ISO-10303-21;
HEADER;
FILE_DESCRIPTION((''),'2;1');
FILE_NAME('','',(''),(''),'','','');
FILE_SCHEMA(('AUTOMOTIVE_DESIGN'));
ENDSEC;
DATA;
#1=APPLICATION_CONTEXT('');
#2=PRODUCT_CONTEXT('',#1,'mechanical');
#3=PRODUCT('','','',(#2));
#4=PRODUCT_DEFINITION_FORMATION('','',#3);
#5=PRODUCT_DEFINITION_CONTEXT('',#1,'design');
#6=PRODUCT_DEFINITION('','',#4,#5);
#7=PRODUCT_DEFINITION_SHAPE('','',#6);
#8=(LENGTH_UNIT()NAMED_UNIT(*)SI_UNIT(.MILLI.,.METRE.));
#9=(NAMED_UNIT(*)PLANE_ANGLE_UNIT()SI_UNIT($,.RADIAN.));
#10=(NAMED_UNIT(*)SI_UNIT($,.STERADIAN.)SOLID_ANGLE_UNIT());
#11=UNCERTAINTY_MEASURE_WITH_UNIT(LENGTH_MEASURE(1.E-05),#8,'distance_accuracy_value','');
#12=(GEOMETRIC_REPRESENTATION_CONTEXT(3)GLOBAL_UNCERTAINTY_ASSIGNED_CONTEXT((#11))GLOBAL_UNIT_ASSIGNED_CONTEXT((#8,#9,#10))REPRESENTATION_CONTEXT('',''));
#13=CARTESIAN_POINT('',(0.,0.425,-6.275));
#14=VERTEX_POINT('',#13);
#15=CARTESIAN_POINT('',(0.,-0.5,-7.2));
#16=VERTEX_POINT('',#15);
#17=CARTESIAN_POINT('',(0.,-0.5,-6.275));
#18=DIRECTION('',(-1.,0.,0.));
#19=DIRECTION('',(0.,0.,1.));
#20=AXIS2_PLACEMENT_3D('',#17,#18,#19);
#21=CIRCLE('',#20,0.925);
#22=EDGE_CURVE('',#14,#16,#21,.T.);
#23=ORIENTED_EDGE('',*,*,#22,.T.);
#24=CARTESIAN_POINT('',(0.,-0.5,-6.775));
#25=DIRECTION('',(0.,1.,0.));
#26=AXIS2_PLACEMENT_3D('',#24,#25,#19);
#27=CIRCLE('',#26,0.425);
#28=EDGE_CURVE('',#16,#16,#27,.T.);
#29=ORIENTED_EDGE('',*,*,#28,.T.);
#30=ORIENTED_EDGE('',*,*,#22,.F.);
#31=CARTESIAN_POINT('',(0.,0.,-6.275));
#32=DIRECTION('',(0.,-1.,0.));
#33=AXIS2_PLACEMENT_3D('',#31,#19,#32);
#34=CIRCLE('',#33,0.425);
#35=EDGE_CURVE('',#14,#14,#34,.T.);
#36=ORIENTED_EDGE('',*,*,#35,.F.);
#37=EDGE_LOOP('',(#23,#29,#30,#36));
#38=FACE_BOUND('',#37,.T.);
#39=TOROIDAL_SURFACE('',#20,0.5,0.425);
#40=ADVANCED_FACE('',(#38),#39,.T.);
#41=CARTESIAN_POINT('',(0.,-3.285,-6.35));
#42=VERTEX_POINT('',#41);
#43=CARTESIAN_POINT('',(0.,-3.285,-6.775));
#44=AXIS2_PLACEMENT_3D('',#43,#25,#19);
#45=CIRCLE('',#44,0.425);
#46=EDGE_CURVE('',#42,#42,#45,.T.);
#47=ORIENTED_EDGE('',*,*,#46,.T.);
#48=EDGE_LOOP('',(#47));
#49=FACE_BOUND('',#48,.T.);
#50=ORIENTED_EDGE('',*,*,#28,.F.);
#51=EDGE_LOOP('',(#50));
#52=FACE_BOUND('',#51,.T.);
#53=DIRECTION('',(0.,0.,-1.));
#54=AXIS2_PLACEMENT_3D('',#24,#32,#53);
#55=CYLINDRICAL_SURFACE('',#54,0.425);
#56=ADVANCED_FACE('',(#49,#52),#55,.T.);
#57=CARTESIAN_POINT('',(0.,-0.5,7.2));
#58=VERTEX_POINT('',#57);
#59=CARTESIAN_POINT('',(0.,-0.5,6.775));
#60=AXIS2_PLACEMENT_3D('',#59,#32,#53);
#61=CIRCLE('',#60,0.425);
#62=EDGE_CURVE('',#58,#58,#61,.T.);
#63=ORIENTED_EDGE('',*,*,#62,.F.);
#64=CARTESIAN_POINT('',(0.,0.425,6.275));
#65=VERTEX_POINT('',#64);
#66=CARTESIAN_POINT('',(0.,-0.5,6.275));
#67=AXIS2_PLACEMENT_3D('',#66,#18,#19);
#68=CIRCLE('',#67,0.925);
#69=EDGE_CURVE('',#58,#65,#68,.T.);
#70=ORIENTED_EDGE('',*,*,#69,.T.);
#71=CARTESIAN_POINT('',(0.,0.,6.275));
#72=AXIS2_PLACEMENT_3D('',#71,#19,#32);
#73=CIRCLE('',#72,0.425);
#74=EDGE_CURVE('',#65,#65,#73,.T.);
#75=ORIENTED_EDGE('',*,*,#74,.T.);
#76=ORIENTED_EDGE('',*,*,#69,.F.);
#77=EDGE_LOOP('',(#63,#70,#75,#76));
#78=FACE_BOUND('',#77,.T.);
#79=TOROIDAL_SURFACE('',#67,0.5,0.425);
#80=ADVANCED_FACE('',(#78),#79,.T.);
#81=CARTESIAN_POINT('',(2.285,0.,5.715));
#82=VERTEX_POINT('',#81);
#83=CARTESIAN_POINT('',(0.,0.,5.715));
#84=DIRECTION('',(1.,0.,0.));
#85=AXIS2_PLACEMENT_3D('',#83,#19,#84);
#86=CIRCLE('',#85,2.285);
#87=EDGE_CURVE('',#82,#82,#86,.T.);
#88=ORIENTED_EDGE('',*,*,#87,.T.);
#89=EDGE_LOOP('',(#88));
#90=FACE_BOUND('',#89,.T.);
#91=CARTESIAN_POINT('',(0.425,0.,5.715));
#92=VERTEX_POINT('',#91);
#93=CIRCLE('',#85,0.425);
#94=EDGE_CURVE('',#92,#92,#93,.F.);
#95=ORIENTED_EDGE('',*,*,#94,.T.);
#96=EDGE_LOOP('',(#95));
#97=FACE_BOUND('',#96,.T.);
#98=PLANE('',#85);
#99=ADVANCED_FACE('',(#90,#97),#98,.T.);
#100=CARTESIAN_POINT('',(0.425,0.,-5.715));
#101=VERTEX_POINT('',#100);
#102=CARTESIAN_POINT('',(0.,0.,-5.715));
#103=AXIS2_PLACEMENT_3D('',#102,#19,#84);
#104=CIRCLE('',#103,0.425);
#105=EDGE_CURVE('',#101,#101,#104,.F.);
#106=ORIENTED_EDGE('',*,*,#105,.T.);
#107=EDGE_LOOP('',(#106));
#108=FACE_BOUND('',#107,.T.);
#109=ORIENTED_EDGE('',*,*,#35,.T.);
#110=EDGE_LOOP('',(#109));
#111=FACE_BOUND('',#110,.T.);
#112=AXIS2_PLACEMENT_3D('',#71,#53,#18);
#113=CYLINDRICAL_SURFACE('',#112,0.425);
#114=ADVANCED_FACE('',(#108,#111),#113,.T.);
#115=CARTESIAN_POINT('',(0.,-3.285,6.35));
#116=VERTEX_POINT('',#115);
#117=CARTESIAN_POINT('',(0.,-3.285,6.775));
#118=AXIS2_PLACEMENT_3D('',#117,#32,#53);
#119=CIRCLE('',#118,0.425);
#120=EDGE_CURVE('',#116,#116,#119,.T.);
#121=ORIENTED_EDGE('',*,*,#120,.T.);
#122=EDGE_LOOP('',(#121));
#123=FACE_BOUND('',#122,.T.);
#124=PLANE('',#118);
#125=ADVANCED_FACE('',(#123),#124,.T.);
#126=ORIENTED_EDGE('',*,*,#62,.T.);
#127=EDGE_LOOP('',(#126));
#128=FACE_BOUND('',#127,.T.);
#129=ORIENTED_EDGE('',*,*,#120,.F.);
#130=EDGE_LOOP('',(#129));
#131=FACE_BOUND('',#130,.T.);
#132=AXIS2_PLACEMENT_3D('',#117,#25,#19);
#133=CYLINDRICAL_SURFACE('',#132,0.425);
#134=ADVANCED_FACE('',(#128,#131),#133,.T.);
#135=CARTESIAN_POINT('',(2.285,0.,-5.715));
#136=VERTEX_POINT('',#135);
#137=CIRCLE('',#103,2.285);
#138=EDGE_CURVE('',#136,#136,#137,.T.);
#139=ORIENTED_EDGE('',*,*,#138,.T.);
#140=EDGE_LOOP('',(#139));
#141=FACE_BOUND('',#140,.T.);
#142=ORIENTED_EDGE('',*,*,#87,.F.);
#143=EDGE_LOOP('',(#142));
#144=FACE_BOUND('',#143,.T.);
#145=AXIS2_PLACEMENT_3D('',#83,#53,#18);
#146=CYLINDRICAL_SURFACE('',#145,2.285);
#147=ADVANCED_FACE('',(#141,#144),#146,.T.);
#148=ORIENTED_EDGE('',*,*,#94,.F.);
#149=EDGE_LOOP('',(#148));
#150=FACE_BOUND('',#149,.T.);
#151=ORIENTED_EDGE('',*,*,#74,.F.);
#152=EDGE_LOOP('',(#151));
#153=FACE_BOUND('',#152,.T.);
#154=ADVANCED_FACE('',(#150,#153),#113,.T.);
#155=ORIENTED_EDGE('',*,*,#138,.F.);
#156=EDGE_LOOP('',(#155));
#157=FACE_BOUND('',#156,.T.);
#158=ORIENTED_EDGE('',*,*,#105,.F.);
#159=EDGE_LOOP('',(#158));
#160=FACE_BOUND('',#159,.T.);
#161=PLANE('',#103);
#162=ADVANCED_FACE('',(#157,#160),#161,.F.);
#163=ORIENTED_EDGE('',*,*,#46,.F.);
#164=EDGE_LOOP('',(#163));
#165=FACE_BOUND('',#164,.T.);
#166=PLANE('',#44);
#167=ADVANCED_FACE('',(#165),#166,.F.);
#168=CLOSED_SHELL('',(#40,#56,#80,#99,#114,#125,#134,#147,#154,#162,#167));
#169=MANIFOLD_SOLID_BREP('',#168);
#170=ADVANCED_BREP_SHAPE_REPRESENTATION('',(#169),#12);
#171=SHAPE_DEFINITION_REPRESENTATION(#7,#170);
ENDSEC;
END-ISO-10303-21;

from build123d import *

# Parameters (mm, degrees)
SKETCH1_R           = 2.285
BOSS_EXTRUDE1_DEPTH = 5.715
SWEEP1_PROFILE_R    = 0.425


with BuildPart() as part:
    # Sketch1 → Boss-Extrude1 (new, symmetric)
    with BuildSketch(Plane.XY):
        Circle(SKETCH1_R)
    extrude(amount=BOSS_EXTRUDE1_DEPTH, both=True)

    # Sweep1: sweep along a path in Sketch2
    with BuildLine(Plane(origin=(0, 0, 0), x_dir=(0, 0, -1), z_dir=(1, 0, 0))) as sweep1_path:
        Line((-6.775, -3.285), (-6.775, -0.5))
        ThreePointArc((-6.775, -0.5), (-6.628553391, -0.146446609), (-6.275, 0))
        Line((-6.275, 0), (6.275, 0))
        ThreePointArc((6.275, 0), (6.628553391, -0.146446609), (6.775, -0.5))
        Line((6.775, -0.5), (6.775, -3.285))
    # Sweep1 profile (on start of the path) → Sweep1 (sweep)
    with BuildSketch(Plane(origin=(0, -3.285, 6.775), x_dir=(0, 0, 1), z_dir=(0, 1, 0))):
        Circle(SWEEP1_PROFILE_R)
    sweep(path=sweep1_path.line)


solid = part.part
